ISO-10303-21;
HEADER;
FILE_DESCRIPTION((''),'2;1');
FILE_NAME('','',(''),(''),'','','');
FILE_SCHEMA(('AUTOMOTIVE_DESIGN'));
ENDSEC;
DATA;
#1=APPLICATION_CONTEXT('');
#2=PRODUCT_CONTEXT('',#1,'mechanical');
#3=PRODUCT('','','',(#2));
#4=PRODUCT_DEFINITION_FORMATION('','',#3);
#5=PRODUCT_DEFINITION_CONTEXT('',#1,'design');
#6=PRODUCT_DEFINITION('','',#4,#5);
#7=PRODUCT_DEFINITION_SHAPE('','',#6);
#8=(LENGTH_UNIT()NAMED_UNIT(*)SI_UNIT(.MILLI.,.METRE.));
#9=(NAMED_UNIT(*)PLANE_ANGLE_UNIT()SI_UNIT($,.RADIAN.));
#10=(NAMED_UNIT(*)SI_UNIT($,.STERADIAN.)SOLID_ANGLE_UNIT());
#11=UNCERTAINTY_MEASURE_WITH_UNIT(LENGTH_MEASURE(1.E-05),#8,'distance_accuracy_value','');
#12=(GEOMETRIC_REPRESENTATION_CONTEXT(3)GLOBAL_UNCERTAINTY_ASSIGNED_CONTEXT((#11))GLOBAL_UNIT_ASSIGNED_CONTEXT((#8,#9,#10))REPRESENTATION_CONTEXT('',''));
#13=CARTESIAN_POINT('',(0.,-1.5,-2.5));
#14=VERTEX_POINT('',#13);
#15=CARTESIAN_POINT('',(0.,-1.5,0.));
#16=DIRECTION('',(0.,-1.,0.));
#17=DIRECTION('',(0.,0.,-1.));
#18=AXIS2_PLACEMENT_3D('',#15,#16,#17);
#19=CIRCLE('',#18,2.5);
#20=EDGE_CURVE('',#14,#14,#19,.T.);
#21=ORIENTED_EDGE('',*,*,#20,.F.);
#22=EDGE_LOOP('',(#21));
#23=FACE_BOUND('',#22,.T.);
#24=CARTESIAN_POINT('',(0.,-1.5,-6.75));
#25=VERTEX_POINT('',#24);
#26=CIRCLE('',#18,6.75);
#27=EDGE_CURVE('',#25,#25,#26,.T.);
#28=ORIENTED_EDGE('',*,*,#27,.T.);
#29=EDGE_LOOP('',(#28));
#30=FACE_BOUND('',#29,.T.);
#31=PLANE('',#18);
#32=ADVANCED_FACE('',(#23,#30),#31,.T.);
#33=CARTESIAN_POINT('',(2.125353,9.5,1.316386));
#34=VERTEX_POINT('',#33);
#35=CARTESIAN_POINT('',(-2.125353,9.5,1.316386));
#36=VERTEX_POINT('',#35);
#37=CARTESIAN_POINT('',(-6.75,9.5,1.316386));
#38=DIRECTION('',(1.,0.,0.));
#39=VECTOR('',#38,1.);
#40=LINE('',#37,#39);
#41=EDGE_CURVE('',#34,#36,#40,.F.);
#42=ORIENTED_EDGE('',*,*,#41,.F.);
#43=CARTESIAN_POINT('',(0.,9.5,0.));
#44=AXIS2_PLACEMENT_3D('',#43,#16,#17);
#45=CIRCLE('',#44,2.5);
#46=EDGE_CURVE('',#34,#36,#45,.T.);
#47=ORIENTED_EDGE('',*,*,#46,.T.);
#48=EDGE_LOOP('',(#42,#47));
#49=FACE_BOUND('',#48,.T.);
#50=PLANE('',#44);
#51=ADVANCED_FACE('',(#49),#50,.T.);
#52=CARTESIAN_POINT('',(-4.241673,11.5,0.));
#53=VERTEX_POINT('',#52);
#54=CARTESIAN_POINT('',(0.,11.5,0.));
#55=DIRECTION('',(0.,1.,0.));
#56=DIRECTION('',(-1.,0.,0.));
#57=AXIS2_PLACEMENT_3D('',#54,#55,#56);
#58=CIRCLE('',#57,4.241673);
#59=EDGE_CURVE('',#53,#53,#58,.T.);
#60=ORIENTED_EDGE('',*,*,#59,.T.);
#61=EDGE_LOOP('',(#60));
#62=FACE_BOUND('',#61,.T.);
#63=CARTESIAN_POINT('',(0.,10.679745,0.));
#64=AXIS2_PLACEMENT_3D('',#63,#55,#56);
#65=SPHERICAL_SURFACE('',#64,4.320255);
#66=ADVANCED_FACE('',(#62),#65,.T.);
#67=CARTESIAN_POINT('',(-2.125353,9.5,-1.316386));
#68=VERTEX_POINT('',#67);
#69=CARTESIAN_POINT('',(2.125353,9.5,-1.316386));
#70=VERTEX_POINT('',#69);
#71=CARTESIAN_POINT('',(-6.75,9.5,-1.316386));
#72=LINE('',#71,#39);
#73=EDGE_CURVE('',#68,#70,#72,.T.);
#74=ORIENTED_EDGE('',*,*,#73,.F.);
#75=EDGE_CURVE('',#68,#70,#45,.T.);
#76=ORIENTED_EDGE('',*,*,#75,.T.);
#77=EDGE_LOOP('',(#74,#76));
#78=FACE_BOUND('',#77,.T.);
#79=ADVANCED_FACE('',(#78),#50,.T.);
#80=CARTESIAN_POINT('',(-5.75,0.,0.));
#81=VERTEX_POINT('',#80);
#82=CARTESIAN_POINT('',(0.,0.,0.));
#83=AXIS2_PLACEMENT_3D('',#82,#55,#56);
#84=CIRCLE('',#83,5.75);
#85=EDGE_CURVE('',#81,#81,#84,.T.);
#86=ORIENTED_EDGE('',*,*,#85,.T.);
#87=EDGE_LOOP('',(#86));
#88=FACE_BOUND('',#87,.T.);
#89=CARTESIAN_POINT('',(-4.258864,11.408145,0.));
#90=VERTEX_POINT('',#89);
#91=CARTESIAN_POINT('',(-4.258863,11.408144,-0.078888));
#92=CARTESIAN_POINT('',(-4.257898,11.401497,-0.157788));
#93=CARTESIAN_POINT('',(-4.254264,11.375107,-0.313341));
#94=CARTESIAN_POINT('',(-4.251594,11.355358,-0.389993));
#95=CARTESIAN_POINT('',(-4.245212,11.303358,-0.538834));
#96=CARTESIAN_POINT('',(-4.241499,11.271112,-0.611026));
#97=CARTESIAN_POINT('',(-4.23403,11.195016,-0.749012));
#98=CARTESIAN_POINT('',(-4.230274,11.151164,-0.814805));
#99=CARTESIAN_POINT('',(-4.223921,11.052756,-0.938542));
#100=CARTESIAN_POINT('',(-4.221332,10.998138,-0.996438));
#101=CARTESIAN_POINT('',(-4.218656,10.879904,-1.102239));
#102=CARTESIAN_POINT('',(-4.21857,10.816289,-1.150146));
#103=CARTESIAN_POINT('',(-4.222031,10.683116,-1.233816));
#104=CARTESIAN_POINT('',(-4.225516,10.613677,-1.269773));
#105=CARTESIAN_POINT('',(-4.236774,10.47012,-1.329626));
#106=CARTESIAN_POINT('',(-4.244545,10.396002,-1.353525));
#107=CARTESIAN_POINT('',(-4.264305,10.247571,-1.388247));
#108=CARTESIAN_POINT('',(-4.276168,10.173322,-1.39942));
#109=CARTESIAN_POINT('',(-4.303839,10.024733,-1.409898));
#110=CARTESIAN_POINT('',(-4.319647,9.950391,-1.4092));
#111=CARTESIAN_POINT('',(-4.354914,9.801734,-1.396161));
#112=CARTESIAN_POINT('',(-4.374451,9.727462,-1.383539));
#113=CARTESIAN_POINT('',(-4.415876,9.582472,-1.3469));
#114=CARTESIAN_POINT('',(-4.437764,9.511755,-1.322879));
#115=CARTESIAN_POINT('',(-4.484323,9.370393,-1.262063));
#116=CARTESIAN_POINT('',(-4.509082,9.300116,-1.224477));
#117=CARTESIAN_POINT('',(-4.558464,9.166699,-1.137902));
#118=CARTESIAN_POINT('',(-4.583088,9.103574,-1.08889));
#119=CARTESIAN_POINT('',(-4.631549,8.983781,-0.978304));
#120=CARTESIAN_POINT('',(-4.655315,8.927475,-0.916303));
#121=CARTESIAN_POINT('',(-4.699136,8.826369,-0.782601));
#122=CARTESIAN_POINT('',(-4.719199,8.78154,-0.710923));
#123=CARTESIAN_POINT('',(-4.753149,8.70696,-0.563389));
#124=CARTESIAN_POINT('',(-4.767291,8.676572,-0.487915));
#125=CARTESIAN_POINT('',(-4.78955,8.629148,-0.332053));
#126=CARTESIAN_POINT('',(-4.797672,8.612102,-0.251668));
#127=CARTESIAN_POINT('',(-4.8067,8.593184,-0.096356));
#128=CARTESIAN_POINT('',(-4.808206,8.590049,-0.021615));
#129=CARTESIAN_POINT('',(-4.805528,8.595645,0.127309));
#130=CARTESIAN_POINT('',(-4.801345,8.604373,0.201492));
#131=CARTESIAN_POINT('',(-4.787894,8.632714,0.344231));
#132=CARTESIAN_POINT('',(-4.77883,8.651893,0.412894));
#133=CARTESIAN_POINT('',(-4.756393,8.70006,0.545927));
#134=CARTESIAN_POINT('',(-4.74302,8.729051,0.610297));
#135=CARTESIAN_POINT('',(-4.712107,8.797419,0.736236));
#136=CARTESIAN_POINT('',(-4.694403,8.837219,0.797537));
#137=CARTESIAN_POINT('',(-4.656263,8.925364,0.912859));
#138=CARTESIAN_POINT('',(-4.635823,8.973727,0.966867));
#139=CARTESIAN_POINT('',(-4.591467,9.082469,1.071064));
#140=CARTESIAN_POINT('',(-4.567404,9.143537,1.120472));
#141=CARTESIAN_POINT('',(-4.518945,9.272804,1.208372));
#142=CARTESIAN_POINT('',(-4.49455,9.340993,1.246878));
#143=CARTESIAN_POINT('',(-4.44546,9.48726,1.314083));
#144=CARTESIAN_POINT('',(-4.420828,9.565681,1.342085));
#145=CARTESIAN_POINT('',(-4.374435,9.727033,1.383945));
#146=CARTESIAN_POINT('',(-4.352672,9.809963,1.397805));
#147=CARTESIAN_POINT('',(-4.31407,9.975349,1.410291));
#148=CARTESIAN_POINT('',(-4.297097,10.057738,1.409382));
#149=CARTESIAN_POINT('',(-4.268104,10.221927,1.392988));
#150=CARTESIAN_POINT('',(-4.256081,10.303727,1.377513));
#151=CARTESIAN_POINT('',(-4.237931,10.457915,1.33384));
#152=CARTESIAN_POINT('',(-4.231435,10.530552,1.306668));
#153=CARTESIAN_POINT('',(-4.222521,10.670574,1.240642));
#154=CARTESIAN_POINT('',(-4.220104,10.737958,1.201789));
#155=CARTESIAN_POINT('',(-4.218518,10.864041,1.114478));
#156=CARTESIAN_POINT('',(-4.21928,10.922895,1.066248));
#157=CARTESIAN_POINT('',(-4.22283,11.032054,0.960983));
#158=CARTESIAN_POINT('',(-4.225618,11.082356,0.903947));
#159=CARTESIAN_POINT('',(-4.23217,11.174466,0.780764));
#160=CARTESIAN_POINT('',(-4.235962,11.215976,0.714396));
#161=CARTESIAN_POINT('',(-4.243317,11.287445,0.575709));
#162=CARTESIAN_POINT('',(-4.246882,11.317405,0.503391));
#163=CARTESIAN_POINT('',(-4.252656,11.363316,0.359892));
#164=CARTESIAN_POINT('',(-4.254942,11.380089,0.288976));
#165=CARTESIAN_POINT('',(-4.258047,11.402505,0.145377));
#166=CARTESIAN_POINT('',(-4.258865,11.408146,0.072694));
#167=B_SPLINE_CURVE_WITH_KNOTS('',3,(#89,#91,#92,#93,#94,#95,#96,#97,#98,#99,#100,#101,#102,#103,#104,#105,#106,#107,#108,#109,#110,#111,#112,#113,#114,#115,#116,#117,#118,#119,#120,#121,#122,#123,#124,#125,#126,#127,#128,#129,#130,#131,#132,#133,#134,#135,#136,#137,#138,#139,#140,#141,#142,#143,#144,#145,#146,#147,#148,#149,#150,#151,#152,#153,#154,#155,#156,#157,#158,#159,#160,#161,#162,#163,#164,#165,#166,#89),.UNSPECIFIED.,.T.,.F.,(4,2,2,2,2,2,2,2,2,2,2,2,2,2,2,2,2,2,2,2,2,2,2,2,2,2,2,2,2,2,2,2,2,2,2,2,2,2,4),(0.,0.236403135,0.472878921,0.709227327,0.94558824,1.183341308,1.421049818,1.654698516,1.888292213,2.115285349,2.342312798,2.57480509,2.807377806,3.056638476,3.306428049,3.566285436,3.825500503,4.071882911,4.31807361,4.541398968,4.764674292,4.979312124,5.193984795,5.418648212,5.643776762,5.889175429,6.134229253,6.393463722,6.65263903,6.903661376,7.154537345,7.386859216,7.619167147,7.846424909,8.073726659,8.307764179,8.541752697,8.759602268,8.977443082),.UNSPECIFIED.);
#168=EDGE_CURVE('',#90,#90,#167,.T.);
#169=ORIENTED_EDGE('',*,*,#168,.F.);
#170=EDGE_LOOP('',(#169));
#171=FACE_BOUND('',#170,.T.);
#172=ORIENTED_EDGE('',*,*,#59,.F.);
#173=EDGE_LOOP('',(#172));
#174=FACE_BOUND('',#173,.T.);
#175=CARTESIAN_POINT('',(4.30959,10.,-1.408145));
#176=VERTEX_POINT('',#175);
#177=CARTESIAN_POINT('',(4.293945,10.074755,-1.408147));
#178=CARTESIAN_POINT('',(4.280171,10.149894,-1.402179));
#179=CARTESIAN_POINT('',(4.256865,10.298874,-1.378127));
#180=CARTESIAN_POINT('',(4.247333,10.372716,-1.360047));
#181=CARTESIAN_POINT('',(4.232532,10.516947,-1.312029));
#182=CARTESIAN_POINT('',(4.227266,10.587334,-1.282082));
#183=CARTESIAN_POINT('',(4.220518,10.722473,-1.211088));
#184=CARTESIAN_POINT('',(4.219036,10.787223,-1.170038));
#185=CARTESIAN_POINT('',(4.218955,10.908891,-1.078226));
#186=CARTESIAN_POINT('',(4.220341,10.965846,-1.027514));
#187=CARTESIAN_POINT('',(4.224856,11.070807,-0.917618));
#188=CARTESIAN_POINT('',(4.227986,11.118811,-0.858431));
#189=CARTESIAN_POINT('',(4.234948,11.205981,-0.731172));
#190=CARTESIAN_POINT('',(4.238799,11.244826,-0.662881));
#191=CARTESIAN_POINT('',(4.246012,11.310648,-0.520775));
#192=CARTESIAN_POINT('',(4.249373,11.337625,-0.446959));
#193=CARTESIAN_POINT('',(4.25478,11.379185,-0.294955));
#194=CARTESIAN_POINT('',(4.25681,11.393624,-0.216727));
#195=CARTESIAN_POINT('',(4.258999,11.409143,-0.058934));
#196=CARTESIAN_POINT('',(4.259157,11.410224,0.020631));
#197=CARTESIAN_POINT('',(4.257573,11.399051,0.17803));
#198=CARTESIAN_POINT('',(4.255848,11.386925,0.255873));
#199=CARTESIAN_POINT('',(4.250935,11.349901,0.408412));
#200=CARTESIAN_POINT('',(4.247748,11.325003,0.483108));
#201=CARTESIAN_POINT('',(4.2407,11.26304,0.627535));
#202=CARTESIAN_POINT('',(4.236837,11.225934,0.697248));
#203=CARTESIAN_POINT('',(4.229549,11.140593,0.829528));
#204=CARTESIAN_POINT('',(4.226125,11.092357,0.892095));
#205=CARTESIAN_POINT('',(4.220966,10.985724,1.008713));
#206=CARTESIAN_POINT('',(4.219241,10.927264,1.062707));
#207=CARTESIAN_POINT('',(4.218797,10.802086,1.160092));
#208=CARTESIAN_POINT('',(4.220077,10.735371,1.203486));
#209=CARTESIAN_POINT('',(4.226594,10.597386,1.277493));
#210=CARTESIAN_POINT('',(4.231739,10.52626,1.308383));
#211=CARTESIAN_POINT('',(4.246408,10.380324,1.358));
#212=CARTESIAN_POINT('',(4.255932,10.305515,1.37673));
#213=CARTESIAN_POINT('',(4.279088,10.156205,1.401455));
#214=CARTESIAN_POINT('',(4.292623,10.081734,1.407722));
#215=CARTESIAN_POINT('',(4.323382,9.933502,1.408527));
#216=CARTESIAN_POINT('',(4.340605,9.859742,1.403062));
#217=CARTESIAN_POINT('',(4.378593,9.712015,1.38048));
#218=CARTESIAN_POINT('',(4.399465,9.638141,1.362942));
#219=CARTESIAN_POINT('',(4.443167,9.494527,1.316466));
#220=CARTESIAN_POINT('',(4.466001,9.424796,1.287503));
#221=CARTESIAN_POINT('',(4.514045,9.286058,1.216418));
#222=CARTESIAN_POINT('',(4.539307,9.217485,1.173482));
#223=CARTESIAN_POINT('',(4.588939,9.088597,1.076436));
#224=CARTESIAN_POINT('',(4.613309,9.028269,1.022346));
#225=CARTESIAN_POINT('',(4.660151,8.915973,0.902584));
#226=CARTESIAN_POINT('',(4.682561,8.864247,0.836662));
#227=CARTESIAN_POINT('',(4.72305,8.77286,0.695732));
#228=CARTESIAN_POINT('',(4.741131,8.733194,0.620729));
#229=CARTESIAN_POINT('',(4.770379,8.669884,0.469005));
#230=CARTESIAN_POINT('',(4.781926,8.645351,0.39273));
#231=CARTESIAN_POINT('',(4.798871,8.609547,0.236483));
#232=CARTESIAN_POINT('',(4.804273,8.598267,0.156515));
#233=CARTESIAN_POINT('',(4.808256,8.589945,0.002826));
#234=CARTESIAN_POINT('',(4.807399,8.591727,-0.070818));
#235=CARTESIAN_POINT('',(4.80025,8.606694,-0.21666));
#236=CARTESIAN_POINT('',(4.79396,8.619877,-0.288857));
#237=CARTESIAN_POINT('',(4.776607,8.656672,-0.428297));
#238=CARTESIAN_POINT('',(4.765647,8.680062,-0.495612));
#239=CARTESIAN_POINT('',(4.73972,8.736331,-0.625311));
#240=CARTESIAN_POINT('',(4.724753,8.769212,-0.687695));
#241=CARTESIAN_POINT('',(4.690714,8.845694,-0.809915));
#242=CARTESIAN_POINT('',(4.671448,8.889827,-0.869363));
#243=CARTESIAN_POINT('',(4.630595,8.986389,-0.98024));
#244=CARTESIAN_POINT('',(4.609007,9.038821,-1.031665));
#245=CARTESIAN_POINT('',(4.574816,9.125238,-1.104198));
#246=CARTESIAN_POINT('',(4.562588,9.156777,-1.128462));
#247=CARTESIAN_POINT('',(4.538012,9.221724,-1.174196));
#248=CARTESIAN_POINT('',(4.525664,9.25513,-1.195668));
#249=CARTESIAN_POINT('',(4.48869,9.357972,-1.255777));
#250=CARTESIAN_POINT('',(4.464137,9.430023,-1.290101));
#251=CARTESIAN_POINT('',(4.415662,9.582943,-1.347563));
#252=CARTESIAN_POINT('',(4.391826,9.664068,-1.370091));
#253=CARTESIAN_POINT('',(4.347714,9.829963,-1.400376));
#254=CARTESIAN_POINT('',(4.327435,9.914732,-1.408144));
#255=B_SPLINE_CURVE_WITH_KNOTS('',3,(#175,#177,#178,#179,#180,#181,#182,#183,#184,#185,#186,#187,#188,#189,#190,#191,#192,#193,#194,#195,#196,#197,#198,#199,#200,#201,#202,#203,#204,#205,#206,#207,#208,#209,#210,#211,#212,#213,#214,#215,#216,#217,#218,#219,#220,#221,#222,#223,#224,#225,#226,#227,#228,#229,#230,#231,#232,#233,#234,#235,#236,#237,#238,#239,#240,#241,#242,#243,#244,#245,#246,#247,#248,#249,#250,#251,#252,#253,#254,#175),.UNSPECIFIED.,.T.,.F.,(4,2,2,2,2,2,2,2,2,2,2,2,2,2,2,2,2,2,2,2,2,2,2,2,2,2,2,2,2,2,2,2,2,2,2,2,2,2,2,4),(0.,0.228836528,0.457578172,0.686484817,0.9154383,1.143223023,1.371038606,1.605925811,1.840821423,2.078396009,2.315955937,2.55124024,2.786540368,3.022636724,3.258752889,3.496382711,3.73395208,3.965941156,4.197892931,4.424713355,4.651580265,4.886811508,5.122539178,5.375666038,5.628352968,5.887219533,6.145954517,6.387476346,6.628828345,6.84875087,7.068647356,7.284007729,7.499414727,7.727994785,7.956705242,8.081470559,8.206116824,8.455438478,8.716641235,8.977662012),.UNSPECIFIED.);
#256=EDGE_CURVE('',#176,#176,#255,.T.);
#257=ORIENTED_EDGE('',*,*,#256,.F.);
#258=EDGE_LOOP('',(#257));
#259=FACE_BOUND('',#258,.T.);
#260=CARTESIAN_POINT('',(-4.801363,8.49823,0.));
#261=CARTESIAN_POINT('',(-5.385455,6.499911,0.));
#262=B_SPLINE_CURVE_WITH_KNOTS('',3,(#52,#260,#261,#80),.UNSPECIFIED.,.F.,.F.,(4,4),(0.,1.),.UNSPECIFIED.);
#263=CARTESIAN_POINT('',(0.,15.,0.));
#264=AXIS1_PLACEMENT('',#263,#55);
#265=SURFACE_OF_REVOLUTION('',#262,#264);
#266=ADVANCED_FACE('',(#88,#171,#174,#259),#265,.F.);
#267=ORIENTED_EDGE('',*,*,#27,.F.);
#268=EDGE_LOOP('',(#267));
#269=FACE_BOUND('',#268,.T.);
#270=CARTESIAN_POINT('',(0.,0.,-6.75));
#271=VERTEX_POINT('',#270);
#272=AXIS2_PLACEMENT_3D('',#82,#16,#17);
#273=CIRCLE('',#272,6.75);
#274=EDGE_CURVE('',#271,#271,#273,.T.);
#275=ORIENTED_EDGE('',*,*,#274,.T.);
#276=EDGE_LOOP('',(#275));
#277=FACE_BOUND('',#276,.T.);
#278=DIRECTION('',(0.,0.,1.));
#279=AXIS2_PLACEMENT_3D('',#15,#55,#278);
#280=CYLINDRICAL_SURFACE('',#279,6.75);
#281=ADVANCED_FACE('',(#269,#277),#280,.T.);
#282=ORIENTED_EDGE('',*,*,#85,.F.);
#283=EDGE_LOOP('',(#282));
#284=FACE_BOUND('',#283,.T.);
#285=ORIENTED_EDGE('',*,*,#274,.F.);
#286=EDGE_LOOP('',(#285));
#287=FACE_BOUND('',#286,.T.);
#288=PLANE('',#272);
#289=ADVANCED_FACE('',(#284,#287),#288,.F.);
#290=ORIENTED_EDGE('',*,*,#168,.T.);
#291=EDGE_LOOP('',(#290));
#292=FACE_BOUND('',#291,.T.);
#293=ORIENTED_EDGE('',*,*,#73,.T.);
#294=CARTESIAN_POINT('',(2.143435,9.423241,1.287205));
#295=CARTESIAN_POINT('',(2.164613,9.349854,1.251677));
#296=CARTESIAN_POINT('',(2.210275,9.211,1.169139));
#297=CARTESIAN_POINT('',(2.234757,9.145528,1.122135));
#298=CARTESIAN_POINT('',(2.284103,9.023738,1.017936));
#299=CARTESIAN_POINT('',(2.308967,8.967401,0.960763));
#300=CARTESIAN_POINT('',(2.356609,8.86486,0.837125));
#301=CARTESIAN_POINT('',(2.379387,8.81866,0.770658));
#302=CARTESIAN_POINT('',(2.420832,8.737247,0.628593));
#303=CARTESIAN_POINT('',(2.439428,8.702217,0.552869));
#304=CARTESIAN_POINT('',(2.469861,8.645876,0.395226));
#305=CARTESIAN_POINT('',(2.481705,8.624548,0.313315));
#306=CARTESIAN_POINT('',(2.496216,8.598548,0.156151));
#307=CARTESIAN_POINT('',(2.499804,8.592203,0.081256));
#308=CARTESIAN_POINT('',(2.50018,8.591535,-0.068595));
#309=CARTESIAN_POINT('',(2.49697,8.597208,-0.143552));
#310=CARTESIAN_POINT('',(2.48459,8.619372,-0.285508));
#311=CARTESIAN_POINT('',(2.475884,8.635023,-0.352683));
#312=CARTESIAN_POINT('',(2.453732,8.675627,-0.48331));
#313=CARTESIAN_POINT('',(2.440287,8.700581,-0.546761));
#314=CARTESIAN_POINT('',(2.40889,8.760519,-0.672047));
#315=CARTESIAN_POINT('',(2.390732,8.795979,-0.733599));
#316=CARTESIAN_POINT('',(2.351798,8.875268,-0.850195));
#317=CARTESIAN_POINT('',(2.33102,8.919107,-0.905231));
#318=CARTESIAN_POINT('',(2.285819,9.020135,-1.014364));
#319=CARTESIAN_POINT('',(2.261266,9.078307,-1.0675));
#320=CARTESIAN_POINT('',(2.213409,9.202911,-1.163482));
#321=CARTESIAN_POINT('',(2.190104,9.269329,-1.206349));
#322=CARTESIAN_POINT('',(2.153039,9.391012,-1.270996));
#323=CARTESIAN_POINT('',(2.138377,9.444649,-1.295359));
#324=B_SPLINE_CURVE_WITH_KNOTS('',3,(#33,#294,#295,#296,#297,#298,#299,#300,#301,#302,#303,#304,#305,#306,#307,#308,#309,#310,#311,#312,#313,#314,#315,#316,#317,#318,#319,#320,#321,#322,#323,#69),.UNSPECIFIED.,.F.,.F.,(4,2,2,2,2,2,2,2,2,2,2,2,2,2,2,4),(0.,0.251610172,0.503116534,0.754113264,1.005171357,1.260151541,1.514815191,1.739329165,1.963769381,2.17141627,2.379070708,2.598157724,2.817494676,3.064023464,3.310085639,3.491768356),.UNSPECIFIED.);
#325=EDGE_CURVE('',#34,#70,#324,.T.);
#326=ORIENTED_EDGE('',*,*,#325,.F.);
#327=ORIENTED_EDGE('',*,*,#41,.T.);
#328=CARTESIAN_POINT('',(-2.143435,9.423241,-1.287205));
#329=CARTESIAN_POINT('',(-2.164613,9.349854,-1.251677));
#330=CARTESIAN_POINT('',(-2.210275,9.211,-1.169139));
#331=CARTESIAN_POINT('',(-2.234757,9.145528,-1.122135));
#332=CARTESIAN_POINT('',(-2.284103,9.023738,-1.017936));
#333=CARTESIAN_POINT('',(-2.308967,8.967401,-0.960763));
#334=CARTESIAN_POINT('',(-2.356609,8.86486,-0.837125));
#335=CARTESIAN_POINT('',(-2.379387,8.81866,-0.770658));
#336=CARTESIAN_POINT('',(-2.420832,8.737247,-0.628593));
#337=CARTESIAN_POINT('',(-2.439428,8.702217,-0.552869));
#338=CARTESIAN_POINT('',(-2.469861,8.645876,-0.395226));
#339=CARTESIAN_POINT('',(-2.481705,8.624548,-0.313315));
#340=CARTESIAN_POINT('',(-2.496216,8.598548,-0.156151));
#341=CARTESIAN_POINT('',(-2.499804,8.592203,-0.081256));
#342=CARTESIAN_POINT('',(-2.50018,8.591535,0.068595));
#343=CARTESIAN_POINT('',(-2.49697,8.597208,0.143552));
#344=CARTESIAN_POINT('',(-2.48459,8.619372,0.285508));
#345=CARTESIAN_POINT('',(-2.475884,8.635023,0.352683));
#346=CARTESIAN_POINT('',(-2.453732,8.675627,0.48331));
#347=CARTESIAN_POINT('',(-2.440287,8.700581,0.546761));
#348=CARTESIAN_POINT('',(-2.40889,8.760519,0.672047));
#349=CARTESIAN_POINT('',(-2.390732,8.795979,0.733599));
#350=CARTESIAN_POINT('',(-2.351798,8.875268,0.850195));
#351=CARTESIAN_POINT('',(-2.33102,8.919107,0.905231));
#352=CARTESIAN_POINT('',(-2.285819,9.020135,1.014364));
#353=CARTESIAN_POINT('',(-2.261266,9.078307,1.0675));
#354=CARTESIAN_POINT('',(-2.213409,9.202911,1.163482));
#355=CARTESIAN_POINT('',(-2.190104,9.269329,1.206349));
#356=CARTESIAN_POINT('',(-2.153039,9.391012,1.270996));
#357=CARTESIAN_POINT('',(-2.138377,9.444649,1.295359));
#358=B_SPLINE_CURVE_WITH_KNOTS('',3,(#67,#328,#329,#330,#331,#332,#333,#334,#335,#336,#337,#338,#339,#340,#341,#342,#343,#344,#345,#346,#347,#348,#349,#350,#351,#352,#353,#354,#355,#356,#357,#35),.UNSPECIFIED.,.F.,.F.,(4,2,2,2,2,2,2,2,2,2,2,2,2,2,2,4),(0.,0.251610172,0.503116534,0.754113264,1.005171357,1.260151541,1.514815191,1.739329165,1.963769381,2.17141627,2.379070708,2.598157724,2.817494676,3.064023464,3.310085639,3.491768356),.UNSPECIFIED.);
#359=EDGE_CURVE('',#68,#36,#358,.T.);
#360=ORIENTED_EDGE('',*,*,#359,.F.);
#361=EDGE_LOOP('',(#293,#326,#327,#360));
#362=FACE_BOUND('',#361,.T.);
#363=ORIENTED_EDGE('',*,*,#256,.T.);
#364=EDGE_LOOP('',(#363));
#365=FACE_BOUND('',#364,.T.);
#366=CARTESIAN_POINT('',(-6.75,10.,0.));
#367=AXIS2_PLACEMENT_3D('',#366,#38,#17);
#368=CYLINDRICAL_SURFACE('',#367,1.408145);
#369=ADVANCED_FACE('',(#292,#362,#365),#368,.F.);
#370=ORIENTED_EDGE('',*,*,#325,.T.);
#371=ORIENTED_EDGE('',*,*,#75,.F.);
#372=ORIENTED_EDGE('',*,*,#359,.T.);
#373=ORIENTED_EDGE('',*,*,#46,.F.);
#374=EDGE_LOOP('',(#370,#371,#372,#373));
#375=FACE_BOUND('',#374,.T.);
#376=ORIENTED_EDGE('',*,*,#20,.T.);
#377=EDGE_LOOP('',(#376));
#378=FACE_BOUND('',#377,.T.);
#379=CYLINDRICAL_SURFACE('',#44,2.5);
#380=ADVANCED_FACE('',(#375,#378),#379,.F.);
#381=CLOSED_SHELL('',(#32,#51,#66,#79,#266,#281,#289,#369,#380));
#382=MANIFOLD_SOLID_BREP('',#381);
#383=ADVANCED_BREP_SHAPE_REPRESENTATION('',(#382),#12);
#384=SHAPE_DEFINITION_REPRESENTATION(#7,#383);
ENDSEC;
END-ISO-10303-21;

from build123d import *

# Parameters (mm, degrees)
SKETCH3_R               = 6.75
BOSS_EXTRUDE1_DEPTH     = 1.5
SKETCH5_R               = 2.5
CUT_EXTRUDE1_DEPTH      = 11
SKETCH6_R               = 1.408145202
CUT_EXTRUDE2_DEPTH      = 7.75
CUT_EXTRUDE2_DEPTH_BACK = 7.75


with BuildPart() as part:
    # Sketch1 → Revolve1 (revolve)
    with BuildSketch(Plane.XY):
        with BuildLine():
            Line((0, 0), (-5.75, 0))
            add(Edge.make_bspline(
                [(-5.75, 0), (-5.385455056, 6.49991136), (-4.801363332, 8.498230235), (-4.241672522, 11.5)],
                knots=[0, 0, 0, 0, 1, 1, 1, 1], degree=3))
            ThreePointArc((-4.241672522, 11.5), (-2.749626601, 14.012035059), (0, 15))
            Line((0, 15), (0, 0))
        make_face()
    revolve(axis=Axis((0, 15, 0), (0, -1, 0)))

    # Sketch3 → Boss-Extrude1 (add)
    with BuildSketch(Plane.XZ):
        Circle(SKETCH3_R)
    extrude(amount=BOSS_EXTRUDE1_DEPTH)

    # Sketch5 → Cut-Extrude1 (cut)
    with BuildSketch(Plane.XZ.offset(1.5)):
        Circle(SKETCH5_R)
    extrude(amount=-CUT_EXTRUDE1_DEPTH, mode=Mode.SUBTRACT)

    # Sketch6 → Cut-Extrude2 (cut, two sides)
    with BuildSketch(Plane(origin=(0, 0, 0), x_dir=(0, 0, -1), z_dir=(1, 0, 0))) as cut_extrude2_sk:
        with Locations((0, 10)):
            Circle(SKETCH6_R)
    extrude(amount=CUT_EXTRUDE2_DEPTH, mode=Mode.SUBTRACT)
    extrude(cut_extrude2_sk.sketch, amount=-CUT_EXTRUDE2_DEPTH_BACK, mode=Mode.SUBTRACT)


solid = part.part
